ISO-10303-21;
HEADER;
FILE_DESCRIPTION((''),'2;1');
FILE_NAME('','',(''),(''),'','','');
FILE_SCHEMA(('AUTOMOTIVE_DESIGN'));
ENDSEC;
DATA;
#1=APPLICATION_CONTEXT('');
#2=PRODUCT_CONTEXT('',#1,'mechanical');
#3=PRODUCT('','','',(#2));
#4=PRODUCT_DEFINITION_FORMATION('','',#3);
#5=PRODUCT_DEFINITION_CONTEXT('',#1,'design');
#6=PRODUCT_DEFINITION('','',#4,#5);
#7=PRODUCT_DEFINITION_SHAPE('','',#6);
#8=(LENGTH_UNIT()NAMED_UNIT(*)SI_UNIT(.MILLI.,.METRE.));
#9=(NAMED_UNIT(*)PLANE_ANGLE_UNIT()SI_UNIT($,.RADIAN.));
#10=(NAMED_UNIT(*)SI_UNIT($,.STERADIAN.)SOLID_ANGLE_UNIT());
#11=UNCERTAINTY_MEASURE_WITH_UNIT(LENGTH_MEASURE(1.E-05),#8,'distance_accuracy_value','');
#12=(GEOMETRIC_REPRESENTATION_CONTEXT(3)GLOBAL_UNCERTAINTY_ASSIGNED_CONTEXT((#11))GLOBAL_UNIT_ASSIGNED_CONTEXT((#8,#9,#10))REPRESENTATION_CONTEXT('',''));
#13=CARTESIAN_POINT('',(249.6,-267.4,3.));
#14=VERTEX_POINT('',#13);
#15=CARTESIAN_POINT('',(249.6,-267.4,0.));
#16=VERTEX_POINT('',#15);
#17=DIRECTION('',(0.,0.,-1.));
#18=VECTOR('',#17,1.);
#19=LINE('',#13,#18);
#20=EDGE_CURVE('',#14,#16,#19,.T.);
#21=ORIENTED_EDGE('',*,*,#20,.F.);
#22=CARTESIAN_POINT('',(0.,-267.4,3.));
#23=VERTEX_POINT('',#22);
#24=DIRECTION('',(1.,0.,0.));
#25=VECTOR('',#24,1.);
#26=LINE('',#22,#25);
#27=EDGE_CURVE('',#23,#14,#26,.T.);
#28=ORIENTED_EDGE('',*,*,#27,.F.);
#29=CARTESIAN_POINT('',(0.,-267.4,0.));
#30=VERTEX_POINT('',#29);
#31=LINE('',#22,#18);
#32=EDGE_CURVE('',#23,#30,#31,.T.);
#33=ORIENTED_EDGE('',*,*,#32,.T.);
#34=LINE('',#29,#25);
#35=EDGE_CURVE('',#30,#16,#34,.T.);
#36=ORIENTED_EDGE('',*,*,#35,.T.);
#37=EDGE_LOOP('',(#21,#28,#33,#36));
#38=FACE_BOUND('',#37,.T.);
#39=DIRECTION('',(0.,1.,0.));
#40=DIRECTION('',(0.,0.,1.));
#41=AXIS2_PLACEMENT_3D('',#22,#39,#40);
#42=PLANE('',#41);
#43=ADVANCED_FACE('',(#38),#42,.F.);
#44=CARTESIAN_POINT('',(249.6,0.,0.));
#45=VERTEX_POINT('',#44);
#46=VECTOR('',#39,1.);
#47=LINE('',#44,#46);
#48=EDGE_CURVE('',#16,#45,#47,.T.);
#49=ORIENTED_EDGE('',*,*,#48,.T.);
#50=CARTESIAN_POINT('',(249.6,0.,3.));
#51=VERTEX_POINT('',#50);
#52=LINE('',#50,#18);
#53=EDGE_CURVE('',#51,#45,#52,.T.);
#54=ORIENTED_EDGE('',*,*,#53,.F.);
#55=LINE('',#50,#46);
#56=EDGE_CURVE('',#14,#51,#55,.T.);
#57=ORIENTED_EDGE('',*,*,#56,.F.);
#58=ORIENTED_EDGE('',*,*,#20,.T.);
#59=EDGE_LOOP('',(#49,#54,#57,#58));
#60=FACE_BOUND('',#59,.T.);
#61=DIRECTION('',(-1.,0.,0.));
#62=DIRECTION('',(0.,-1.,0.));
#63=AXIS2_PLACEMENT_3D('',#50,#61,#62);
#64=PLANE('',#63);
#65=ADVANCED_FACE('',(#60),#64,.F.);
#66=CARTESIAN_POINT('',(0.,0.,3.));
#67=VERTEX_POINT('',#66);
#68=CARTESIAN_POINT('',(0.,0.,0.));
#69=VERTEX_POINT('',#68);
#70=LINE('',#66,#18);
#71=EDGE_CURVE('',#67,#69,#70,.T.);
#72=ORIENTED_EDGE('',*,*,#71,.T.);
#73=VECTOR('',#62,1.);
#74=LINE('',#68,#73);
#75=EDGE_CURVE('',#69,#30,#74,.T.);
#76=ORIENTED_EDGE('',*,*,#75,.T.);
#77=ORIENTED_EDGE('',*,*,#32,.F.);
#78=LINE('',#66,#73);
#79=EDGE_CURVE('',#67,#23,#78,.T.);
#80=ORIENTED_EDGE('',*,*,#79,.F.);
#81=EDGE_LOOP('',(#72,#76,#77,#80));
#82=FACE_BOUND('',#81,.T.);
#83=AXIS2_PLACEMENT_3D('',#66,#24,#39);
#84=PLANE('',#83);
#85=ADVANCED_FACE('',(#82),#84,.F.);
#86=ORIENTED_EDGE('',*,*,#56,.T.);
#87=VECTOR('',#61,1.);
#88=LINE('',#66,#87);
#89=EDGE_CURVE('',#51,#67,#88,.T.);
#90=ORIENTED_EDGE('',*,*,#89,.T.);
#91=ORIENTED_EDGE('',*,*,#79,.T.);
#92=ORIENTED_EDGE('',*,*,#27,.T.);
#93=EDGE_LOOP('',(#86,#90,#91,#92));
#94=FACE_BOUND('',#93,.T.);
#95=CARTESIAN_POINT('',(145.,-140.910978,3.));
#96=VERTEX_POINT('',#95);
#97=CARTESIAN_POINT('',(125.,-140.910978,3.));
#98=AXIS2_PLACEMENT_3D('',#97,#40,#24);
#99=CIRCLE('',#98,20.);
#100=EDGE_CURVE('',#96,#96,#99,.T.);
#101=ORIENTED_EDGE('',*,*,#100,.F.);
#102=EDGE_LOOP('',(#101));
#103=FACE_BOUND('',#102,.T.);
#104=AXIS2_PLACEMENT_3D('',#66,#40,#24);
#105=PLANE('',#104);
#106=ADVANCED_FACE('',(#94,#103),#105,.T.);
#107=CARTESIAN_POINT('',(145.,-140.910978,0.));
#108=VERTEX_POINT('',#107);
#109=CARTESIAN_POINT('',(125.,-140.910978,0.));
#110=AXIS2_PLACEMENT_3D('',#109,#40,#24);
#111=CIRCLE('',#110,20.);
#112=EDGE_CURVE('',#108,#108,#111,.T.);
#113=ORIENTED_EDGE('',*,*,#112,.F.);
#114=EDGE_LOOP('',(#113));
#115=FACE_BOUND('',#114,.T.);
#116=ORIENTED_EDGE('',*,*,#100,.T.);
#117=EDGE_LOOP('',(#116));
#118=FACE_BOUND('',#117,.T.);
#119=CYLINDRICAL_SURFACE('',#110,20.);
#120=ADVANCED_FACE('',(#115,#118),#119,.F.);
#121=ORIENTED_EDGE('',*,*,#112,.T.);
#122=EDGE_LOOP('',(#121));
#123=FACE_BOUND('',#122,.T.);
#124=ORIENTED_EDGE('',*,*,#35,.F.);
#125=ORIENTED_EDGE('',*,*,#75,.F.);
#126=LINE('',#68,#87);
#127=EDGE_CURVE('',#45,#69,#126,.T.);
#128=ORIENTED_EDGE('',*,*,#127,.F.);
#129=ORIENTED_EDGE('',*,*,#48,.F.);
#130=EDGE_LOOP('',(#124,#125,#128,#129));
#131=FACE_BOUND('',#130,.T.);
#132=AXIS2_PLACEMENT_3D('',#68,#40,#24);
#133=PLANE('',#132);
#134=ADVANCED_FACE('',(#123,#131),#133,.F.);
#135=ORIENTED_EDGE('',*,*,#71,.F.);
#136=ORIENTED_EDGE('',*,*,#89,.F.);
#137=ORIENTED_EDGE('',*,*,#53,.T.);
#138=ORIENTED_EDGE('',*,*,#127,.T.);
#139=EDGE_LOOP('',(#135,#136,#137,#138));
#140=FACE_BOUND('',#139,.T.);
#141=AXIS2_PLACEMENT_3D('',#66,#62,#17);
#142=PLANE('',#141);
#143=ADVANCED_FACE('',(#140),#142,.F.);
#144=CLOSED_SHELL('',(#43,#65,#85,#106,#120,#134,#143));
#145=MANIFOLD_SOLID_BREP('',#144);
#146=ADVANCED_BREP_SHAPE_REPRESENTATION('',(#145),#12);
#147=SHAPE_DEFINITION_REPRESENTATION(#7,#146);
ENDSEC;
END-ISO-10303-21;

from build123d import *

# Parameters (mm, degrees)
SKETCH1_W           = 249.6
SKETCH1_H           = 267.4
BOSS_EXTRUDE1_DEPTH = 3
SKETCH2_R           = 20
CUT_EXTRUDE1_DEPTH  = 4


with BuildPart() as part:
    # Sketch1 → Boss-Extrude1 (new body)
    with BuildSketch(Plane.XY):
        with Locations((124.8, -133.7)):
            Rectangle(SKETCH1_W, SKETCH1_H)
    extrude(amount=BOSS_EXTRUDE1_DEPTH)

    # Sketch2 → Cut-Extrude1 (cut, through all)
    with BuildSketch(Plane.XY.offset(3)):
        with Locations((125, -140.910978413)):
            Circle(SKETCH2_R)
    extrude(amount=-CUT_EXTRUDE1_DEPTH, mode=Mode.SUBTRACT)


solid = part.part
